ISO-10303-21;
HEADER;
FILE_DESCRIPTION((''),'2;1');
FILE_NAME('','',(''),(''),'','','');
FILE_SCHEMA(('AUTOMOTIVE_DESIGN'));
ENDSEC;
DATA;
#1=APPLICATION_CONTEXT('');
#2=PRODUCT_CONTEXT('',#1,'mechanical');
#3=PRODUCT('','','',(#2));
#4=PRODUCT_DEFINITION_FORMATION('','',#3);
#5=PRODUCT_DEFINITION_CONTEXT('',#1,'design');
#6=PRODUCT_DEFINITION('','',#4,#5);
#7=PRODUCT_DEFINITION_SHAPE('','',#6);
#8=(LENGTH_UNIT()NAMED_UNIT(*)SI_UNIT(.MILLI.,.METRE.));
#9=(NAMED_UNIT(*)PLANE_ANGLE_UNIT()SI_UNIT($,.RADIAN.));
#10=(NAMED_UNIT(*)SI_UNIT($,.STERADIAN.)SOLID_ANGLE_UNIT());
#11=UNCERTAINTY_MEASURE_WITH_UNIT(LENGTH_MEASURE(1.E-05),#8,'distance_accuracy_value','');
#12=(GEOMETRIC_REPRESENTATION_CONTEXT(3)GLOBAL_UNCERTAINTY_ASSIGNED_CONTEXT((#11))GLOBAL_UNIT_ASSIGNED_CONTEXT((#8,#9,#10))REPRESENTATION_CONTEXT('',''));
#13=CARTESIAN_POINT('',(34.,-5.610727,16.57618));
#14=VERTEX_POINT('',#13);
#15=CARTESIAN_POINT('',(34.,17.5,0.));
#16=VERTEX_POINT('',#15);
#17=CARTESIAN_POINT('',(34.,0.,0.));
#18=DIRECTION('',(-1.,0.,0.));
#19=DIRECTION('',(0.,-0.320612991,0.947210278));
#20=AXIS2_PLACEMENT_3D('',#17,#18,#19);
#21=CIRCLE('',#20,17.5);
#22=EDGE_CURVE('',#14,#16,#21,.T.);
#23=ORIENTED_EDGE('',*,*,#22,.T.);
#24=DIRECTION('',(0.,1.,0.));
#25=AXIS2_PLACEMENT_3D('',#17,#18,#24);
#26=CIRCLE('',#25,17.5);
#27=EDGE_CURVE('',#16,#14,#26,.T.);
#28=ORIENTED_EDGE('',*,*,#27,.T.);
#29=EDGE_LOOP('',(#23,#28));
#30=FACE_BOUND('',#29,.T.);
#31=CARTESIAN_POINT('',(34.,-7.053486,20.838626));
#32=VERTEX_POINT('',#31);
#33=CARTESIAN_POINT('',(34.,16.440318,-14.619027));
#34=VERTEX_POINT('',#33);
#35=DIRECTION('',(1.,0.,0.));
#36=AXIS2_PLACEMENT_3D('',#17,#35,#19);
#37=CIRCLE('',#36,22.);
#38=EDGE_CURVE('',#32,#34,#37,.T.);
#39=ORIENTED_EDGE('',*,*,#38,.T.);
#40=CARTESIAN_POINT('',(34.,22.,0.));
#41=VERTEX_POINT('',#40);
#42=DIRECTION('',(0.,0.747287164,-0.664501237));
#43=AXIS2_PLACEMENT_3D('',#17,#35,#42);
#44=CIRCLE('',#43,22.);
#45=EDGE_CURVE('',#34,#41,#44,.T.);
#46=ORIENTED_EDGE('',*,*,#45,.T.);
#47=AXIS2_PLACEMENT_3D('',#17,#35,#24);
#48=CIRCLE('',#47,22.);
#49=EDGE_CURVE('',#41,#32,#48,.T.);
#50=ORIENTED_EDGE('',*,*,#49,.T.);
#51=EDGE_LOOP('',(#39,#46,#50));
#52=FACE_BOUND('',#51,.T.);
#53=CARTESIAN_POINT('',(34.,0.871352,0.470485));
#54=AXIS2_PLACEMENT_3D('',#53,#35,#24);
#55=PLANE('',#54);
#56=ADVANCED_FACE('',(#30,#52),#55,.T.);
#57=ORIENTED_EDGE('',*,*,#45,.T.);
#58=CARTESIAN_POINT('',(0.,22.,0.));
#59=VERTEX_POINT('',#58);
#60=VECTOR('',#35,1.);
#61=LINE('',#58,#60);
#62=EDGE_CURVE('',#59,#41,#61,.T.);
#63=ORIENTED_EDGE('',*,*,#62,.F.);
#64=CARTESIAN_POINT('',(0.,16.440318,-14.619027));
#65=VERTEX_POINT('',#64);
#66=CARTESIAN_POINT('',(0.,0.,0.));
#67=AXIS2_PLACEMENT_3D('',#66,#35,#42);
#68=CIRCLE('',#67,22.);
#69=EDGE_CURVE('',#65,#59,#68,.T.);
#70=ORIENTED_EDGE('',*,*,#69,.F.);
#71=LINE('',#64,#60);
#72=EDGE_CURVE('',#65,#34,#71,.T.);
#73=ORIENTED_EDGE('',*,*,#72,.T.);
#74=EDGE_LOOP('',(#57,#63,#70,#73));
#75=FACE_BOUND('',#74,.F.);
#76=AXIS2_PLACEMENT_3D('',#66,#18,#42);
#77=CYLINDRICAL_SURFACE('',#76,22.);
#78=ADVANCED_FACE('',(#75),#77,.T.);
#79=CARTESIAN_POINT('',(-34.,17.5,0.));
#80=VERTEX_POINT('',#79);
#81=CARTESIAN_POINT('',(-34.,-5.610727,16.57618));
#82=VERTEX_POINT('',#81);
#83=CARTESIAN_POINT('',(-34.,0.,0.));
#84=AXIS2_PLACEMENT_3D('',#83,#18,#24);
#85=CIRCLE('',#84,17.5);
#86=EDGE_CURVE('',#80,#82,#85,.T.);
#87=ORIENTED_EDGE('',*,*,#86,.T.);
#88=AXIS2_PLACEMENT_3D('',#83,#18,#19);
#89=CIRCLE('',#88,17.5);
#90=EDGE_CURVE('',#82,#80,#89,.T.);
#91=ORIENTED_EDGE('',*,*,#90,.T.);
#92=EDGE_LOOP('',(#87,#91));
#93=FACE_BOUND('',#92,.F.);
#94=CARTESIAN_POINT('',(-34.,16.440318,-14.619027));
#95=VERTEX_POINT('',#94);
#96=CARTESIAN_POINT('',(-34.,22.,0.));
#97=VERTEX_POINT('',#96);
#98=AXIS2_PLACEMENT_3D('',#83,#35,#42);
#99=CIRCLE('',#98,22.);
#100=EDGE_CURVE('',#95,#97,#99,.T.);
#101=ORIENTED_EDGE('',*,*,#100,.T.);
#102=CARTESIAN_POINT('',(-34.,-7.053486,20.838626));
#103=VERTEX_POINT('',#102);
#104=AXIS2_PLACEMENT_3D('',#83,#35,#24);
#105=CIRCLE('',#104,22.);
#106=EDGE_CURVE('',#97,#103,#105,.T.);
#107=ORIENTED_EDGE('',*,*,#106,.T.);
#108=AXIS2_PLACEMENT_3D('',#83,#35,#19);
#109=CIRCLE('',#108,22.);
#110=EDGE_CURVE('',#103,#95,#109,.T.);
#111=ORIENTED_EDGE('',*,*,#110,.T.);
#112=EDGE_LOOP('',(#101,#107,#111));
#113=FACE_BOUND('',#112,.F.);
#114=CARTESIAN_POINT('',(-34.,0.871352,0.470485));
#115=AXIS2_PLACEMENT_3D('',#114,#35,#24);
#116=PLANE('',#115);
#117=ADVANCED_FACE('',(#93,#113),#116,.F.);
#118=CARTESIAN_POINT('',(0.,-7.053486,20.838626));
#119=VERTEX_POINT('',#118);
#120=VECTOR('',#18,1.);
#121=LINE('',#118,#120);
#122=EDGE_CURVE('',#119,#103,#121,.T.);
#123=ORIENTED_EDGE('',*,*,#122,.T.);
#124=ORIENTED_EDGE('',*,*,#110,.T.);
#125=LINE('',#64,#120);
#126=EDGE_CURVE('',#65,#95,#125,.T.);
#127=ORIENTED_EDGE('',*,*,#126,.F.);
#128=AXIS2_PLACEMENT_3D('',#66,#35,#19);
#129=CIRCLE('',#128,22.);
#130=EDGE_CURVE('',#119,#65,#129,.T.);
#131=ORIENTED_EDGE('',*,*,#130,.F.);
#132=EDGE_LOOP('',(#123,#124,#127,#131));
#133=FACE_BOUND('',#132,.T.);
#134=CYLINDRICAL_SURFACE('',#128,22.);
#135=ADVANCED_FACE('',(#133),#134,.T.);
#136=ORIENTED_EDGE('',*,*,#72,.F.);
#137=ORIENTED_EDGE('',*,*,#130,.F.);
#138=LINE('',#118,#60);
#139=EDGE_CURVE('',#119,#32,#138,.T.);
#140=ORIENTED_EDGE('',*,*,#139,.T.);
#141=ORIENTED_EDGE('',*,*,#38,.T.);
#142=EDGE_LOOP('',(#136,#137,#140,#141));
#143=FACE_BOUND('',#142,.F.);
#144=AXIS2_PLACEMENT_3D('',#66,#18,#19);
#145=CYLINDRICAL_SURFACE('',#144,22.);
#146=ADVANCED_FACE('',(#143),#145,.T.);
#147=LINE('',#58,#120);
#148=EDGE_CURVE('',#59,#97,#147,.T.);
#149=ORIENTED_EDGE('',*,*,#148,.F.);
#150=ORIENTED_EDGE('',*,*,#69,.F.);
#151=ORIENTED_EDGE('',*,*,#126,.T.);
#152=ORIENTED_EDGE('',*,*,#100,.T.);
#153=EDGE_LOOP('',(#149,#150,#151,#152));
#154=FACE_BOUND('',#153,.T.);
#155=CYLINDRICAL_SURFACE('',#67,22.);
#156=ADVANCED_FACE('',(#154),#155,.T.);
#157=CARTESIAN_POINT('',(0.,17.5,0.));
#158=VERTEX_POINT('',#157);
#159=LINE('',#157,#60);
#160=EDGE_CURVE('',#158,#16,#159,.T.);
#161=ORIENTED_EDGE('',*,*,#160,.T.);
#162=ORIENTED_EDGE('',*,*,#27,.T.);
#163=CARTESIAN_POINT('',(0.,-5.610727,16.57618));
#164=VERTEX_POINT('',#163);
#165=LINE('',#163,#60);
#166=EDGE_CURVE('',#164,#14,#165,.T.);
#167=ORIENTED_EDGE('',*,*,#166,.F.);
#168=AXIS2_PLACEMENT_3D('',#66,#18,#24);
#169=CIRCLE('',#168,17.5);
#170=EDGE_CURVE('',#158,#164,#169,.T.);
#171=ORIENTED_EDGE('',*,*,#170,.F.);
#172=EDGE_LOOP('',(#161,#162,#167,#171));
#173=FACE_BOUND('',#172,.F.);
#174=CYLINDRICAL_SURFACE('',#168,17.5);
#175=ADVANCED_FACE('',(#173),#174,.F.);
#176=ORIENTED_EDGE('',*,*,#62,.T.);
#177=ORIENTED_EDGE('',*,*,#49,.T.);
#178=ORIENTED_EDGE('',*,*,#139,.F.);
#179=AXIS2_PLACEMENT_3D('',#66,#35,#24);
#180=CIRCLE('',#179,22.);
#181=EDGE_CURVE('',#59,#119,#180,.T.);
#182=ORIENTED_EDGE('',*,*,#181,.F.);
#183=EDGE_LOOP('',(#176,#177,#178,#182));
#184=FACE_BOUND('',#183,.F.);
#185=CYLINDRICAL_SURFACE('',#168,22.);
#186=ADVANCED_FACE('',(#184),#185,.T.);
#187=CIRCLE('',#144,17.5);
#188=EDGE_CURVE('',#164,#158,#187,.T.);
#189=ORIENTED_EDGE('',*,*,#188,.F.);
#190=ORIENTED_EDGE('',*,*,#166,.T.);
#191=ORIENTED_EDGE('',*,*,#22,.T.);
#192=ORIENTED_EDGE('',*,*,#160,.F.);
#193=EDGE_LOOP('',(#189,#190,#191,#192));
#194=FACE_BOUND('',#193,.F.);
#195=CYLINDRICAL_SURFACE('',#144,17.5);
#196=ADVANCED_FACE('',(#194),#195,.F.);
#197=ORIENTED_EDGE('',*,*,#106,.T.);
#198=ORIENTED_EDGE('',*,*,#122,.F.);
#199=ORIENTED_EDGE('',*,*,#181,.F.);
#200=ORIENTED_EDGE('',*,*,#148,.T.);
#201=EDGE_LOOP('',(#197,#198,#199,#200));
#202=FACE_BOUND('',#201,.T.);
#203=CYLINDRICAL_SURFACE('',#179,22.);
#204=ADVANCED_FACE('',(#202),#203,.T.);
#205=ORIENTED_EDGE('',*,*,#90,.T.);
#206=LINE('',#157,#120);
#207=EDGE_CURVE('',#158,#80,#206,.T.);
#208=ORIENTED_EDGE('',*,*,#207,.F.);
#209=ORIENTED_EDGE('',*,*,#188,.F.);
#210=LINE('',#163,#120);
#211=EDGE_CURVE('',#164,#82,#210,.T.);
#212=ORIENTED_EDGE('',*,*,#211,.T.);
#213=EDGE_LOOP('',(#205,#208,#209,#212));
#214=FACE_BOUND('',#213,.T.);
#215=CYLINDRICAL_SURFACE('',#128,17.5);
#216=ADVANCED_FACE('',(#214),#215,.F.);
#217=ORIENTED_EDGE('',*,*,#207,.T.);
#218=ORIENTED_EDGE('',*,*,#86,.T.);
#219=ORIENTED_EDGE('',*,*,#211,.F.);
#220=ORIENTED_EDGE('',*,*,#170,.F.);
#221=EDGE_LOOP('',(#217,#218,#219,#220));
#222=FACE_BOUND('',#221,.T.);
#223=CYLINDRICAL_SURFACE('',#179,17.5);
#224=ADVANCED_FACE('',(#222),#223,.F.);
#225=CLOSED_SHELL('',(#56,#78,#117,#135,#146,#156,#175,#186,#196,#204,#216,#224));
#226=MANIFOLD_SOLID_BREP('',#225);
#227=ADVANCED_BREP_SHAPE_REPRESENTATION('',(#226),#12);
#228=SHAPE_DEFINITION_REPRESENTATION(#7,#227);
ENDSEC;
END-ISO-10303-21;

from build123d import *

# Parameters (mm, degrees)
F2_DEPTH      = 34
F2_DEPTH_BACK = 34


with BuildPart() as f2:
    # F1 (on Right) → F2 (new body, two sides)
    with BuildSketch(Plane.YZ) as f2_sk:
        with BuildLine():
            ThreePointArc((22, 0), (12.822310879, 17.8770339744), (-7.0534857929, 20.8386261104))
            ThreePointArc((-7.0534857929, 20.8386261104), (-18.3395596388, -12.1515658356), (16.4403176156, -14.6190272145))
            ThreePointArc((16.4403176156, -14.6190272145), (20.5631586526, -7.8202625422), (22, 0))
        make_face()
        with BuildLine():
            ThreePointArc((-5.6107273352, 16.5761798606), (10.1995654719, 14.2203679342), (17.5, 0))
            ThreePointArc((17.5, 0), (-10.1995654719, -14.2203679342), (-5.6107273352, 16.5761798606))
        make_face(mode=Mode.SUBTRACT)
    extrude(amount=F2_DEPTH)
    extrude(f2_sk.sketch, amount=-F2_DEPTH_BACK)


solid = f2.part
